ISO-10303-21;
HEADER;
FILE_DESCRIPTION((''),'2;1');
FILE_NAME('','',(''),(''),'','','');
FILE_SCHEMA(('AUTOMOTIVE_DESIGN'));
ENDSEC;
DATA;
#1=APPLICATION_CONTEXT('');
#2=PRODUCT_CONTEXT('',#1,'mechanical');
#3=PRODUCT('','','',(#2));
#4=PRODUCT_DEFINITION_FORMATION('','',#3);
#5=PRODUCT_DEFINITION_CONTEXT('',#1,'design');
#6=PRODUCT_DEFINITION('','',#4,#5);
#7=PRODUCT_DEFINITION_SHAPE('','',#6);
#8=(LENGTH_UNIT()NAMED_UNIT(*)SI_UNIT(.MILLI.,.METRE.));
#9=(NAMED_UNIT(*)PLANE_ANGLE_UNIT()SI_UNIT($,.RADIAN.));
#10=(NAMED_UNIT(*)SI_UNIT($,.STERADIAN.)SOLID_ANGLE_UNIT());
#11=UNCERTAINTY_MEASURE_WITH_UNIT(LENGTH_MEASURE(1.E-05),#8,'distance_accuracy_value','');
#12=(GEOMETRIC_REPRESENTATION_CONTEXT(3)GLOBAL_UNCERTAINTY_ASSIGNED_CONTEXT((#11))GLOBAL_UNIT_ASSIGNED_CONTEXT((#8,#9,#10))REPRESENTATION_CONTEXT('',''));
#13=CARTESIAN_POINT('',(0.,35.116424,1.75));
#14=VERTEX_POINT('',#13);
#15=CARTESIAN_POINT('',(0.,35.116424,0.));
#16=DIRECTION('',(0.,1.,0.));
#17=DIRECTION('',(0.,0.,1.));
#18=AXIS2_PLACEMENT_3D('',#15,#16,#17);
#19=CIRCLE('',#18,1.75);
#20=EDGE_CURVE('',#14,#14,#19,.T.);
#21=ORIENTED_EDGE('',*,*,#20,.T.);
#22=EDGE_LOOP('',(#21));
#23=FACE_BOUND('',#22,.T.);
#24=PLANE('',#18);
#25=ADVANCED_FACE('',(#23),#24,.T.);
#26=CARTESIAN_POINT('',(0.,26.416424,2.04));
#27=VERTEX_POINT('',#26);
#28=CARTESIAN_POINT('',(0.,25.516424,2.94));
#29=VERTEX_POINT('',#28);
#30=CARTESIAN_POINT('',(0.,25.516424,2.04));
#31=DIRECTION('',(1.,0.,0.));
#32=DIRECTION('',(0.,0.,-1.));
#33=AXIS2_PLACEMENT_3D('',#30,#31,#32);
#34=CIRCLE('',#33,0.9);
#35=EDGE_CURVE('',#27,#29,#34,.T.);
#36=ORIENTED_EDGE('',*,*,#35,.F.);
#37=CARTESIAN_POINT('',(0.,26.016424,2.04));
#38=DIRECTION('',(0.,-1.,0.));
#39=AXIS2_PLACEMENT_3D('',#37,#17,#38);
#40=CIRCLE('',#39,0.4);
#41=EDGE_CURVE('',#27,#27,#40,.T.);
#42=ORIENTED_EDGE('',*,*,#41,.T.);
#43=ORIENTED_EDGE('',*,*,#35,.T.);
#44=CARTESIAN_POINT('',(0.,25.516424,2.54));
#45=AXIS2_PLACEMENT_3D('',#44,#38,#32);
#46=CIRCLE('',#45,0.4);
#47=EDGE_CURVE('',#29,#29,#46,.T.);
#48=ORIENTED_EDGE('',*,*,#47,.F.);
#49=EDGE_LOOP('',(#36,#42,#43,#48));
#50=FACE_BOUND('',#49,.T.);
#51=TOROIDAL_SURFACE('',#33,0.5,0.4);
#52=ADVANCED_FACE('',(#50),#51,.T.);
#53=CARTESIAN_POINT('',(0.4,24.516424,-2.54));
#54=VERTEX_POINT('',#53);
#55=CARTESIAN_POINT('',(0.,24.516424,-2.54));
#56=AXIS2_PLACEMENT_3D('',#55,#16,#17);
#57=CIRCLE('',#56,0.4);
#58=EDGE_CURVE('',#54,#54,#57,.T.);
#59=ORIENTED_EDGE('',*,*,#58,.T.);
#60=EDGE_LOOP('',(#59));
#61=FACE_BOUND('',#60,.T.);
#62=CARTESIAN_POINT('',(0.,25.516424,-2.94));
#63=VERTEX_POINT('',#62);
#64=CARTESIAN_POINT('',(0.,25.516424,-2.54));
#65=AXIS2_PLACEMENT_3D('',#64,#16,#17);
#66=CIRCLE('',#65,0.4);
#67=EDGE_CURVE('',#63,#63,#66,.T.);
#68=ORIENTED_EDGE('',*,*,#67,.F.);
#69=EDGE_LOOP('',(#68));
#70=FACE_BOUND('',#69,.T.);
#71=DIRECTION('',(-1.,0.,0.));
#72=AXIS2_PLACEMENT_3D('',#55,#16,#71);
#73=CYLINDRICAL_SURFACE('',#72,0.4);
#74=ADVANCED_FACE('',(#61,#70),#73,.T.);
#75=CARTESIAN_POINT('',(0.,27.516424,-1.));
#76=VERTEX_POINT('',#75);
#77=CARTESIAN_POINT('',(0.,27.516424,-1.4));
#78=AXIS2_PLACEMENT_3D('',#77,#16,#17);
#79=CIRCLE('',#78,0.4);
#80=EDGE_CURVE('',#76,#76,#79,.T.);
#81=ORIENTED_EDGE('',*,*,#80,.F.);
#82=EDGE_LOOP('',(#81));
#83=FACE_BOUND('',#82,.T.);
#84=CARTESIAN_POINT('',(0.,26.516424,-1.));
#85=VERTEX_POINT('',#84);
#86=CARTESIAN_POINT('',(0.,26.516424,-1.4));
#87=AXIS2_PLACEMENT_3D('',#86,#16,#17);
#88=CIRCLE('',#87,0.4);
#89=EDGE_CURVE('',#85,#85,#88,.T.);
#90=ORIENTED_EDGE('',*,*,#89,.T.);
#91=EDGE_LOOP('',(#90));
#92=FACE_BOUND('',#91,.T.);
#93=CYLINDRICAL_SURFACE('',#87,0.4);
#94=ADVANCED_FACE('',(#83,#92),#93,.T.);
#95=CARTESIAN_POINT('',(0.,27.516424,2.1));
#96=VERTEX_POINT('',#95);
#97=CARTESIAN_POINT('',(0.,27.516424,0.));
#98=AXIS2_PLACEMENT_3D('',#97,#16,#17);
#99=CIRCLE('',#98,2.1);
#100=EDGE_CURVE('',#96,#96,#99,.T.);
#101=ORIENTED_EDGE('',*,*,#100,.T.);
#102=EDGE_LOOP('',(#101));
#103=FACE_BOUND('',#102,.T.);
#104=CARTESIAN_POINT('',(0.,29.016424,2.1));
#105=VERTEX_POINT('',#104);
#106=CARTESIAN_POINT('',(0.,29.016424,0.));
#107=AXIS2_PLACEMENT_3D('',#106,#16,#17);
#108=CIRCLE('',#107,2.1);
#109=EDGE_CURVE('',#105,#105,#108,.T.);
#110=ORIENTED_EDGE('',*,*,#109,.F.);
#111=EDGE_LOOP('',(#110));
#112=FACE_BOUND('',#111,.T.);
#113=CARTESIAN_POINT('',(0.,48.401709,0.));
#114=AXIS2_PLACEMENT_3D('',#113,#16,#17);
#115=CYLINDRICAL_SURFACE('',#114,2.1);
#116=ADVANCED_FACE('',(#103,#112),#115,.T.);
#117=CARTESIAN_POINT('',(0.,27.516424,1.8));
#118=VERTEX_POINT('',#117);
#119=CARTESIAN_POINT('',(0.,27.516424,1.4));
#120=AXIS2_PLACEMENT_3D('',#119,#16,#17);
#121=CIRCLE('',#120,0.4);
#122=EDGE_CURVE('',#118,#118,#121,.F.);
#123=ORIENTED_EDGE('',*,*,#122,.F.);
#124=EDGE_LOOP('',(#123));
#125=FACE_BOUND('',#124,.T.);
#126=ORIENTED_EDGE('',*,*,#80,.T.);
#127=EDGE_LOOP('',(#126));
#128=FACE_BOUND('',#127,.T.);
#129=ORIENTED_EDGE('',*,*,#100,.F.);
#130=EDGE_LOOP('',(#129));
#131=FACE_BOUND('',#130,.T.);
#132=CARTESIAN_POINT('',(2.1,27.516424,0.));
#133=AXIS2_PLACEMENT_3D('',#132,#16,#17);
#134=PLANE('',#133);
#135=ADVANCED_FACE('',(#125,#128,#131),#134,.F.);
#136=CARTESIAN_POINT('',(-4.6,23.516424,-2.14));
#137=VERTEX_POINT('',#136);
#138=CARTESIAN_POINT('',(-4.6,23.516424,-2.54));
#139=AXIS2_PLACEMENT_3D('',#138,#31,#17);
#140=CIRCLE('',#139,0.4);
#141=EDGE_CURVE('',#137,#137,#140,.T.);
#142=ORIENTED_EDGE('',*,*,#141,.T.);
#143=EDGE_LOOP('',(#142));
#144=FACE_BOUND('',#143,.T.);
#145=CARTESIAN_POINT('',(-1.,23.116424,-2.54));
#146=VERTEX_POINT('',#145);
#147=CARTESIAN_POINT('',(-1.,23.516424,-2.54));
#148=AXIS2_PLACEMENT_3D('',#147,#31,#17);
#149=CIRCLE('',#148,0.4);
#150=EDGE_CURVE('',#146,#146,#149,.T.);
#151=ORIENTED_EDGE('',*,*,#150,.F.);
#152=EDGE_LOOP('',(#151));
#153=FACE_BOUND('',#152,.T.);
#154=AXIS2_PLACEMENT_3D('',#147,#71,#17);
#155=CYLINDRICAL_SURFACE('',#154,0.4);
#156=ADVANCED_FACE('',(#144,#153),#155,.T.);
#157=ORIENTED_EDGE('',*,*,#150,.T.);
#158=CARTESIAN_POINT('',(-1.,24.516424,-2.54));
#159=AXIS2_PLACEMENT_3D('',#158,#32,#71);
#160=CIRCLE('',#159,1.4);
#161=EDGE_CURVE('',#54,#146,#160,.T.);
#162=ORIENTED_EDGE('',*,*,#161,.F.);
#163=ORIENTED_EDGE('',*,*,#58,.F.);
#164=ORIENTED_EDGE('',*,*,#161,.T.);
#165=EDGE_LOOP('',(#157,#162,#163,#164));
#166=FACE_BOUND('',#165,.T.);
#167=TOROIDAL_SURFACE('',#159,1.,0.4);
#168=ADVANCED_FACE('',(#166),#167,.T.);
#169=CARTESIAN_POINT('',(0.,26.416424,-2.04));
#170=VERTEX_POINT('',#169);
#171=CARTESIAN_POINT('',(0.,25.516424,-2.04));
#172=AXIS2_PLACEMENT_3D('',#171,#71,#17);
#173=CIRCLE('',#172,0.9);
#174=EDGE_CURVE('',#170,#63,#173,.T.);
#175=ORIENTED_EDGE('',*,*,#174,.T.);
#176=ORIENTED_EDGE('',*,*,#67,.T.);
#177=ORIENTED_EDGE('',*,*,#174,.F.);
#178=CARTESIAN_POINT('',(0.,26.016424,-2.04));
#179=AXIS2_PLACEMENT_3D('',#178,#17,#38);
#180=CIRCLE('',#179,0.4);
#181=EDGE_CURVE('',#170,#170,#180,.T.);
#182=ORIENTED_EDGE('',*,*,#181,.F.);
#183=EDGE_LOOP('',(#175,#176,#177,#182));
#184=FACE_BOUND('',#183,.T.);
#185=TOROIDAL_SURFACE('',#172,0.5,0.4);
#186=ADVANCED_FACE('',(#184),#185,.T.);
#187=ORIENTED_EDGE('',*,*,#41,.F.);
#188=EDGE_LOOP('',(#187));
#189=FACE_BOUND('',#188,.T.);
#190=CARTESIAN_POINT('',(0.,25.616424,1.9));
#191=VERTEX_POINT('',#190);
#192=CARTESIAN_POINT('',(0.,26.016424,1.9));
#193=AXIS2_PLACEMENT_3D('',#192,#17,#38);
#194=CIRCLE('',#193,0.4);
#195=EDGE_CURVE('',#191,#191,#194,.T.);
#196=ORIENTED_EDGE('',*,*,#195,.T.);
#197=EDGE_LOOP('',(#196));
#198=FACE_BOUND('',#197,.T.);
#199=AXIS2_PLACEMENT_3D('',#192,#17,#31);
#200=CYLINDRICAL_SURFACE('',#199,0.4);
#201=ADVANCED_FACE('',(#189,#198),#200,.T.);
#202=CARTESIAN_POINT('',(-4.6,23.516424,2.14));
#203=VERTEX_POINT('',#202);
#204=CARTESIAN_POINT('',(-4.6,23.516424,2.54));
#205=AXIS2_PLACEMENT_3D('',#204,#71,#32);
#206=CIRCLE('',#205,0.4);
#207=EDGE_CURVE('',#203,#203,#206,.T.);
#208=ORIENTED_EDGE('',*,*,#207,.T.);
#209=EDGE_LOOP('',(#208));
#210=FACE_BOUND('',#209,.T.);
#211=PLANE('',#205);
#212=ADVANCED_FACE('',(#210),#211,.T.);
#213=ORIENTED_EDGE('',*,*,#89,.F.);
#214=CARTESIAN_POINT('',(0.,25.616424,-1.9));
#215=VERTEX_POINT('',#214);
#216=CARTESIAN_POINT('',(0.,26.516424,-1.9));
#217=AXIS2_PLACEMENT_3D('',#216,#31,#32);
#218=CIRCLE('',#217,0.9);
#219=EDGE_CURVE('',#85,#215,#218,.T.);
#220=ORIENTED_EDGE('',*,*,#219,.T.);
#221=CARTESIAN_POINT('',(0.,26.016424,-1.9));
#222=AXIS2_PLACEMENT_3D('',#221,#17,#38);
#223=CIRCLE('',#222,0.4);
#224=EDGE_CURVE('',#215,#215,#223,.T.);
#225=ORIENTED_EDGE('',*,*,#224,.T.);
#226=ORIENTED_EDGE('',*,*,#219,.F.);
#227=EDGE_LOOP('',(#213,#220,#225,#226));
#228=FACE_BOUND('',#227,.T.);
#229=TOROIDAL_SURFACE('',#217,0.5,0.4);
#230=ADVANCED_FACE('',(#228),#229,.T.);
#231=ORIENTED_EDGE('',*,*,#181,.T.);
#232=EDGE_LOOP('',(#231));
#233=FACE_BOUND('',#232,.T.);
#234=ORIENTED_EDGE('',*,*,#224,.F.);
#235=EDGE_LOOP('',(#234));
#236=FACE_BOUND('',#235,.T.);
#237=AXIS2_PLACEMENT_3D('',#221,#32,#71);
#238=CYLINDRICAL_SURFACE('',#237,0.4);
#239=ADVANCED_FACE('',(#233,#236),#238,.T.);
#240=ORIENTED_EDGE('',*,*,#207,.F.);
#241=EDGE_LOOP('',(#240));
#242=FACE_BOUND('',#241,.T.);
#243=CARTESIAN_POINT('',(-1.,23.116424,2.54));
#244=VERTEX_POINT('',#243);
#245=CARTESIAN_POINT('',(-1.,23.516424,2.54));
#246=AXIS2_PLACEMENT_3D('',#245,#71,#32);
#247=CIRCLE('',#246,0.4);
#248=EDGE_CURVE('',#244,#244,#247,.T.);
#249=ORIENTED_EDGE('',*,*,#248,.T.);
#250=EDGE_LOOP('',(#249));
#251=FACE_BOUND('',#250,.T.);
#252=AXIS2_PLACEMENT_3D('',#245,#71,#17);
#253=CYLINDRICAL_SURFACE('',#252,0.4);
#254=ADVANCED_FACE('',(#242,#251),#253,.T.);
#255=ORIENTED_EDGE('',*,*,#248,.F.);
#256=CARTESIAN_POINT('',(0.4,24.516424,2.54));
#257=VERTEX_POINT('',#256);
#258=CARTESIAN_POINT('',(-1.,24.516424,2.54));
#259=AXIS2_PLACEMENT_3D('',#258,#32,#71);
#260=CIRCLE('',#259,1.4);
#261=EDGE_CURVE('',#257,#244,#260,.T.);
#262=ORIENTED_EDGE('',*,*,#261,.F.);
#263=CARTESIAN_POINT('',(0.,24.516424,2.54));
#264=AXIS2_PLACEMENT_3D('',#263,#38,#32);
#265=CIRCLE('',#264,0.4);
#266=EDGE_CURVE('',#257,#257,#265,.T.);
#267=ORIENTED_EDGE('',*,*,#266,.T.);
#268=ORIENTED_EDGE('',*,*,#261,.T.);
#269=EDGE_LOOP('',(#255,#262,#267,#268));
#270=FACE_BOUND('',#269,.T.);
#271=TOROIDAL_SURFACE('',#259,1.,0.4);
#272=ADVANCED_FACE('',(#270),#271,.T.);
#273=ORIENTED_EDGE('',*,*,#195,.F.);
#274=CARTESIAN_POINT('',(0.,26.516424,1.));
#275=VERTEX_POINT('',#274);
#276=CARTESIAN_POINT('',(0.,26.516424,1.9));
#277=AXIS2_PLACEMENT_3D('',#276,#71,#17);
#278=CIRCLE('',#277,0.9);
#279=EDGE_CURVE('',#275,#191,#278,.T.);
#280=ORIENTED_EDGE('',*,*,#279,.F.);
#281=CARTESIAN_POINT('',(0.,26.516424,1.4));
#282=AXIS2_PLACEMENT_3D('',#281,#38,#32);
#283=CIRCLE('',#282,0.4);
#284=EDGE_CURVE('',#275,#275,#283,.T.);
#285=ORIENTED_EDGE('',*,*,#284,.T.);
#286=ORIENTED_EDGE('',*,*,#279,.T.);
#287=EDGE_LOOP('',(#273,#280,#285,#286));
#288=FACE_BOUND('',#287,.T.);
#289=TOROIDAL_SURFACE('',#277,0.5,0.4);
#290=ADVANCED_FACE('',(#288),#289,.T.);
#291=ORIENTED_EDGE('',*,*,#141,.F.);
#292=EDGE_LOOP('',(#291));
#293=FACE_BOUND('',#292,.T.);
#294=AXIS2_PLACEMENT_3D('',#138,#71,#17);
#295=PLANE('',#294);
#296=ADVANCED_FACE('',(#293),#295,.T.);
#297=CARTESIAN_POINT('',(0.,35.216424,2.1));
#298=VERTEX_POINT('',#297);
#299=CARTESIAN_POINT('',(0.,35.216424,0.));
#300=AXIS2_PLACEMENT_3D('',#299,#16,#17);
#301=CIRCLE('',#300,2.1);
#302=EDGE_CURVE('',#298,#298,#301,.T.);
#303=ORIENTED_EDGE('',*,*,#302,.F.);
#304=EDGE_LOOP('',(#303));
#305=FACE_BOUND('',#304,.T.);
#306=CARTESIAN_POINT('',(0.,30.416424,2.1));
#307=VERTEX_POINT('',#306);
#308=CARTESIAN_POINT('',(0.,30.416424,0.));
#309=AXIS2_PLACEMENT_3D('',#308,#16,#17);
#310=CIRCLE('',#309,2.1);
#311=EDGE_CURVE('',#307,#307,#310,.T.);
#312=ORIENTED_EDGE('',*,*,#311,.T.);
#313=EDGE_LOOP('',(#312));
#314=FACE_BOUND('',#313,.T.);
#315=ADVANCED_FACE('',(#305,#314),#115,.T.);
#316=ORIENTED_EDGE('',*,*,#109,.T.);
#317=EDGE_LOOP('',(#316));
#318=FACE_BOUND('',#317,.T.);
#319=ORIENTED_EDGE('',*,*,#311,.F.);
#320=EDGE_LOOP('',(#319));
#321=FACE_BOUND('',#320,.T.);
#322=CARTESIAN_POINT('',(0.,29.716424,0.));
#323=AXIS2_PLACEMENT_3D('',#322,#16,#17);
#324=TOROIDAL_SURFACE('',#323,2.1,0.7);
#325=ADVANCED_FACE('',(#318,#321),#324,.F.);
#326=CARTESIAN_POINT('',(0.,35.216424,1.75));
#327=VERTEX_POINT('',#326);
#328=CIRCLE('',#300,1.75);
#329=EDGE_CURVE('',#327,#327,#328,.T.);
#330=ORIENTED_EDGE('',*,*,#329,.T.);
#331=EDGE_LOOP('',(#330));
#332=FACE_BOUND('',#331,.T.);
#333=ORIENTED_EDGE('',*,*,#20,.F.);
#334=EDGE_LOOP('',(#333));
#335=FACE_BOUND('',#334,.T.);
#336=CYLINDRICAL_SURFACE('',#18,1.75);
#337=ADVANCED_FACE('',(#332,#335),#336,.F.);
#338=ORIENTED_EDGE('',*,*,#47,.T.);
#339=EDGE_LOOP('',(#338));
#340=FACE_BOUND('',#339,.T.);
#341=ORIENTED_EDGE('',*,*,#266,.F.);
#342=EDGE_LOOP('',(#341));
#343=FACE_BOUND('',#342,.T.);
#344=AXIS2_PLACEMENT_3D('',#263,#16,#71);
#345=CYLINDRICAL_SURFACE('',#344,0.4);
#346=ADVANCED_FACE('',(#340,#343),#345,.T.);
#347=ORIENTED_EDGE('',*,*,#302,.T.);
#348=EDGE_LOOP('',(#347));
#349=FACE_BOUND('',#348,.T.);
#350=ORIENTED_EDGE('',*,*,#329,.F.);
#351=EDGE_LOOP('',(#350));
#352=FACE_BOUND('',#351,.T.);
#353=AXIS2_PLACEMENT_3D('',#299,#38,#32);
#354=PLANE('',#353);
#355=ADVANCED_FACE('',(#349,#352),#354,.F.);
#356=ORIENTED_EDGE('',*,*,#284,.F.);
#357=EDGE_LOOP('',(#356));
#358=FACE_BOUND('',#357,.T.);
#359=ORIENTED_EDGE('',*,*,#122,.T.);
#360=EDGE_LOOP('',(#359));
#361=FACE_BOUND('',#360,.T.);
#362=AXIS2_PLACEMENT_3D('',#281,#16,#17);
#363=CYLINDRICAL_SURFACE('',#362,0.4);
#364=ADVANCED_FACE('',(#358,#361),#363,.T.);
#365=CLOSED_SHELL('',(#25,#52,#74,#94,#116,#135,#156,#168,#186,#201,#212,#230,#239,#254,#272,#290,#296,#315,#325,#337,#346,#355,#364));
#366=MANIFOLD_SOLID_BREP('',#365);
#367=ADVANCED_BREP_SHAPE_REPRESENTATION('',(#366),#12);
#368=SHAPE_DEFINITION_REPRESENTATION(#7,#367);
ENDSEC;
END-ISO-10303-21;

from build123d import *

# Parameters (mm, degrees)
ESQUISSE2_R             = 1.75
ENL_V_MAT_EXTRU_1_DEPTH = 0.1
ESQUISSE3_R             = 0.4
ESQUISSE5_R             = 0.4


with BuildPart() as part:
    # Esquisse1 → Révolution1 (revolve)
    with BuildSketch(Plane.XY, mode=Mode.PRIVATE) as r_volution1_sk:
        with BuildLine():
            Line((0, 35.216423663), (2.1, 35.216423663))
            Line((2.1, 35.216423663), (2.1, 30.416423663))
            ThreePointArc((2.1, 30.416423663), (1.4, 29.716423663), (2.1, 29.016423663))
            Line((2.1, 29.016423663), (2.1, 27.516423663))
            Line((2.1, 27.516423663), (0, 27.516423663))
            Line((0, 27.516423663), (0, 35.216423663))
        make_face()
    revolve(r_volution1_sk.sketch.rotate(Axis((0, 48.401709402, 0), (0, -1, 0)), 90), axis=Axis((0, 48.401709402, 0), (0, -1, 0)))  # turned: the seam where the file's is

    # Esquisse2 → Enlèv. mat.-Extru.1 (cut)
    with BuildSketch(Plane(origin=(0, 35.216423663, 0), x_dir=(-1, 0, 0), z_dir=(0, 1, 0))):
        with Locations(Location((0, 0, 0), (0, 0, 90))):  # turned: the seam where the file's is
            Circle(ESQUISSE2_R)
    extrude(amount=-ENL_V_MAT_EXTRU_1_DEPTH, mode=Mode.SUBTRACT)

    # Balayage1: sweep along a path in Esquisse4
    with BuildLine(Plane(origin=(0, 0, 0), x_dir=(0, 0, -1), z_dir=(1, 0, 0))) as balayage1_path:
        Line((-1.4, 27.516423663), (-1.4, 26.516423663))
        ThreePointArc((-1.4, 26.516423663), (-1.546446609, 26.162870273), (-1.9, 26.016423663))
        Line((-1.9, 26.016423663), (-2.04, 26.016423663))
        ThreePointArc((-2.04, 26.016423663), (-2.393553391, 25.869977054), (-2.54, 25.516423663))
    # Esquisse3 → Balayage1 (sweep)
    with BuildSketch(Plane.XZ.offset(-27.516423663)):
        with Locations((0, 1.4)):
            Circle(ESQUISSE3_R)
    balayage1 = sweep(path=balayage1_path.line)

    # Balayage2: sweep along a path in Esquisse6
    with BuildLine(Plane.XY.offset(2.54)) as balayage2_path:
        Line((0, 25.516423663), (0, 24.516423663))
        ThreePointArc((0, 24.516423663), (-0.292893219, 23.809316882), (-1, 23.516423663))
        Line((-1, 23.516423663), (-4.6, 23.516423663))
    # Esquisse5 → Balayage2 (sweep)
    with BuildSketch(Plane.XZ.offset(-25.516423663)):
        with Locations((0, 2.54)):
            Circle(ESQUISSE5_R)
    balayage2 = sweep(path=balayage2_path.line)

    # Symétrie1: Balayage1, Balayage2 across plane
    add(balayage1.mirror(Plane.XY))
    add(balayage2.mirror(Plane.XY))


solid = part.part
